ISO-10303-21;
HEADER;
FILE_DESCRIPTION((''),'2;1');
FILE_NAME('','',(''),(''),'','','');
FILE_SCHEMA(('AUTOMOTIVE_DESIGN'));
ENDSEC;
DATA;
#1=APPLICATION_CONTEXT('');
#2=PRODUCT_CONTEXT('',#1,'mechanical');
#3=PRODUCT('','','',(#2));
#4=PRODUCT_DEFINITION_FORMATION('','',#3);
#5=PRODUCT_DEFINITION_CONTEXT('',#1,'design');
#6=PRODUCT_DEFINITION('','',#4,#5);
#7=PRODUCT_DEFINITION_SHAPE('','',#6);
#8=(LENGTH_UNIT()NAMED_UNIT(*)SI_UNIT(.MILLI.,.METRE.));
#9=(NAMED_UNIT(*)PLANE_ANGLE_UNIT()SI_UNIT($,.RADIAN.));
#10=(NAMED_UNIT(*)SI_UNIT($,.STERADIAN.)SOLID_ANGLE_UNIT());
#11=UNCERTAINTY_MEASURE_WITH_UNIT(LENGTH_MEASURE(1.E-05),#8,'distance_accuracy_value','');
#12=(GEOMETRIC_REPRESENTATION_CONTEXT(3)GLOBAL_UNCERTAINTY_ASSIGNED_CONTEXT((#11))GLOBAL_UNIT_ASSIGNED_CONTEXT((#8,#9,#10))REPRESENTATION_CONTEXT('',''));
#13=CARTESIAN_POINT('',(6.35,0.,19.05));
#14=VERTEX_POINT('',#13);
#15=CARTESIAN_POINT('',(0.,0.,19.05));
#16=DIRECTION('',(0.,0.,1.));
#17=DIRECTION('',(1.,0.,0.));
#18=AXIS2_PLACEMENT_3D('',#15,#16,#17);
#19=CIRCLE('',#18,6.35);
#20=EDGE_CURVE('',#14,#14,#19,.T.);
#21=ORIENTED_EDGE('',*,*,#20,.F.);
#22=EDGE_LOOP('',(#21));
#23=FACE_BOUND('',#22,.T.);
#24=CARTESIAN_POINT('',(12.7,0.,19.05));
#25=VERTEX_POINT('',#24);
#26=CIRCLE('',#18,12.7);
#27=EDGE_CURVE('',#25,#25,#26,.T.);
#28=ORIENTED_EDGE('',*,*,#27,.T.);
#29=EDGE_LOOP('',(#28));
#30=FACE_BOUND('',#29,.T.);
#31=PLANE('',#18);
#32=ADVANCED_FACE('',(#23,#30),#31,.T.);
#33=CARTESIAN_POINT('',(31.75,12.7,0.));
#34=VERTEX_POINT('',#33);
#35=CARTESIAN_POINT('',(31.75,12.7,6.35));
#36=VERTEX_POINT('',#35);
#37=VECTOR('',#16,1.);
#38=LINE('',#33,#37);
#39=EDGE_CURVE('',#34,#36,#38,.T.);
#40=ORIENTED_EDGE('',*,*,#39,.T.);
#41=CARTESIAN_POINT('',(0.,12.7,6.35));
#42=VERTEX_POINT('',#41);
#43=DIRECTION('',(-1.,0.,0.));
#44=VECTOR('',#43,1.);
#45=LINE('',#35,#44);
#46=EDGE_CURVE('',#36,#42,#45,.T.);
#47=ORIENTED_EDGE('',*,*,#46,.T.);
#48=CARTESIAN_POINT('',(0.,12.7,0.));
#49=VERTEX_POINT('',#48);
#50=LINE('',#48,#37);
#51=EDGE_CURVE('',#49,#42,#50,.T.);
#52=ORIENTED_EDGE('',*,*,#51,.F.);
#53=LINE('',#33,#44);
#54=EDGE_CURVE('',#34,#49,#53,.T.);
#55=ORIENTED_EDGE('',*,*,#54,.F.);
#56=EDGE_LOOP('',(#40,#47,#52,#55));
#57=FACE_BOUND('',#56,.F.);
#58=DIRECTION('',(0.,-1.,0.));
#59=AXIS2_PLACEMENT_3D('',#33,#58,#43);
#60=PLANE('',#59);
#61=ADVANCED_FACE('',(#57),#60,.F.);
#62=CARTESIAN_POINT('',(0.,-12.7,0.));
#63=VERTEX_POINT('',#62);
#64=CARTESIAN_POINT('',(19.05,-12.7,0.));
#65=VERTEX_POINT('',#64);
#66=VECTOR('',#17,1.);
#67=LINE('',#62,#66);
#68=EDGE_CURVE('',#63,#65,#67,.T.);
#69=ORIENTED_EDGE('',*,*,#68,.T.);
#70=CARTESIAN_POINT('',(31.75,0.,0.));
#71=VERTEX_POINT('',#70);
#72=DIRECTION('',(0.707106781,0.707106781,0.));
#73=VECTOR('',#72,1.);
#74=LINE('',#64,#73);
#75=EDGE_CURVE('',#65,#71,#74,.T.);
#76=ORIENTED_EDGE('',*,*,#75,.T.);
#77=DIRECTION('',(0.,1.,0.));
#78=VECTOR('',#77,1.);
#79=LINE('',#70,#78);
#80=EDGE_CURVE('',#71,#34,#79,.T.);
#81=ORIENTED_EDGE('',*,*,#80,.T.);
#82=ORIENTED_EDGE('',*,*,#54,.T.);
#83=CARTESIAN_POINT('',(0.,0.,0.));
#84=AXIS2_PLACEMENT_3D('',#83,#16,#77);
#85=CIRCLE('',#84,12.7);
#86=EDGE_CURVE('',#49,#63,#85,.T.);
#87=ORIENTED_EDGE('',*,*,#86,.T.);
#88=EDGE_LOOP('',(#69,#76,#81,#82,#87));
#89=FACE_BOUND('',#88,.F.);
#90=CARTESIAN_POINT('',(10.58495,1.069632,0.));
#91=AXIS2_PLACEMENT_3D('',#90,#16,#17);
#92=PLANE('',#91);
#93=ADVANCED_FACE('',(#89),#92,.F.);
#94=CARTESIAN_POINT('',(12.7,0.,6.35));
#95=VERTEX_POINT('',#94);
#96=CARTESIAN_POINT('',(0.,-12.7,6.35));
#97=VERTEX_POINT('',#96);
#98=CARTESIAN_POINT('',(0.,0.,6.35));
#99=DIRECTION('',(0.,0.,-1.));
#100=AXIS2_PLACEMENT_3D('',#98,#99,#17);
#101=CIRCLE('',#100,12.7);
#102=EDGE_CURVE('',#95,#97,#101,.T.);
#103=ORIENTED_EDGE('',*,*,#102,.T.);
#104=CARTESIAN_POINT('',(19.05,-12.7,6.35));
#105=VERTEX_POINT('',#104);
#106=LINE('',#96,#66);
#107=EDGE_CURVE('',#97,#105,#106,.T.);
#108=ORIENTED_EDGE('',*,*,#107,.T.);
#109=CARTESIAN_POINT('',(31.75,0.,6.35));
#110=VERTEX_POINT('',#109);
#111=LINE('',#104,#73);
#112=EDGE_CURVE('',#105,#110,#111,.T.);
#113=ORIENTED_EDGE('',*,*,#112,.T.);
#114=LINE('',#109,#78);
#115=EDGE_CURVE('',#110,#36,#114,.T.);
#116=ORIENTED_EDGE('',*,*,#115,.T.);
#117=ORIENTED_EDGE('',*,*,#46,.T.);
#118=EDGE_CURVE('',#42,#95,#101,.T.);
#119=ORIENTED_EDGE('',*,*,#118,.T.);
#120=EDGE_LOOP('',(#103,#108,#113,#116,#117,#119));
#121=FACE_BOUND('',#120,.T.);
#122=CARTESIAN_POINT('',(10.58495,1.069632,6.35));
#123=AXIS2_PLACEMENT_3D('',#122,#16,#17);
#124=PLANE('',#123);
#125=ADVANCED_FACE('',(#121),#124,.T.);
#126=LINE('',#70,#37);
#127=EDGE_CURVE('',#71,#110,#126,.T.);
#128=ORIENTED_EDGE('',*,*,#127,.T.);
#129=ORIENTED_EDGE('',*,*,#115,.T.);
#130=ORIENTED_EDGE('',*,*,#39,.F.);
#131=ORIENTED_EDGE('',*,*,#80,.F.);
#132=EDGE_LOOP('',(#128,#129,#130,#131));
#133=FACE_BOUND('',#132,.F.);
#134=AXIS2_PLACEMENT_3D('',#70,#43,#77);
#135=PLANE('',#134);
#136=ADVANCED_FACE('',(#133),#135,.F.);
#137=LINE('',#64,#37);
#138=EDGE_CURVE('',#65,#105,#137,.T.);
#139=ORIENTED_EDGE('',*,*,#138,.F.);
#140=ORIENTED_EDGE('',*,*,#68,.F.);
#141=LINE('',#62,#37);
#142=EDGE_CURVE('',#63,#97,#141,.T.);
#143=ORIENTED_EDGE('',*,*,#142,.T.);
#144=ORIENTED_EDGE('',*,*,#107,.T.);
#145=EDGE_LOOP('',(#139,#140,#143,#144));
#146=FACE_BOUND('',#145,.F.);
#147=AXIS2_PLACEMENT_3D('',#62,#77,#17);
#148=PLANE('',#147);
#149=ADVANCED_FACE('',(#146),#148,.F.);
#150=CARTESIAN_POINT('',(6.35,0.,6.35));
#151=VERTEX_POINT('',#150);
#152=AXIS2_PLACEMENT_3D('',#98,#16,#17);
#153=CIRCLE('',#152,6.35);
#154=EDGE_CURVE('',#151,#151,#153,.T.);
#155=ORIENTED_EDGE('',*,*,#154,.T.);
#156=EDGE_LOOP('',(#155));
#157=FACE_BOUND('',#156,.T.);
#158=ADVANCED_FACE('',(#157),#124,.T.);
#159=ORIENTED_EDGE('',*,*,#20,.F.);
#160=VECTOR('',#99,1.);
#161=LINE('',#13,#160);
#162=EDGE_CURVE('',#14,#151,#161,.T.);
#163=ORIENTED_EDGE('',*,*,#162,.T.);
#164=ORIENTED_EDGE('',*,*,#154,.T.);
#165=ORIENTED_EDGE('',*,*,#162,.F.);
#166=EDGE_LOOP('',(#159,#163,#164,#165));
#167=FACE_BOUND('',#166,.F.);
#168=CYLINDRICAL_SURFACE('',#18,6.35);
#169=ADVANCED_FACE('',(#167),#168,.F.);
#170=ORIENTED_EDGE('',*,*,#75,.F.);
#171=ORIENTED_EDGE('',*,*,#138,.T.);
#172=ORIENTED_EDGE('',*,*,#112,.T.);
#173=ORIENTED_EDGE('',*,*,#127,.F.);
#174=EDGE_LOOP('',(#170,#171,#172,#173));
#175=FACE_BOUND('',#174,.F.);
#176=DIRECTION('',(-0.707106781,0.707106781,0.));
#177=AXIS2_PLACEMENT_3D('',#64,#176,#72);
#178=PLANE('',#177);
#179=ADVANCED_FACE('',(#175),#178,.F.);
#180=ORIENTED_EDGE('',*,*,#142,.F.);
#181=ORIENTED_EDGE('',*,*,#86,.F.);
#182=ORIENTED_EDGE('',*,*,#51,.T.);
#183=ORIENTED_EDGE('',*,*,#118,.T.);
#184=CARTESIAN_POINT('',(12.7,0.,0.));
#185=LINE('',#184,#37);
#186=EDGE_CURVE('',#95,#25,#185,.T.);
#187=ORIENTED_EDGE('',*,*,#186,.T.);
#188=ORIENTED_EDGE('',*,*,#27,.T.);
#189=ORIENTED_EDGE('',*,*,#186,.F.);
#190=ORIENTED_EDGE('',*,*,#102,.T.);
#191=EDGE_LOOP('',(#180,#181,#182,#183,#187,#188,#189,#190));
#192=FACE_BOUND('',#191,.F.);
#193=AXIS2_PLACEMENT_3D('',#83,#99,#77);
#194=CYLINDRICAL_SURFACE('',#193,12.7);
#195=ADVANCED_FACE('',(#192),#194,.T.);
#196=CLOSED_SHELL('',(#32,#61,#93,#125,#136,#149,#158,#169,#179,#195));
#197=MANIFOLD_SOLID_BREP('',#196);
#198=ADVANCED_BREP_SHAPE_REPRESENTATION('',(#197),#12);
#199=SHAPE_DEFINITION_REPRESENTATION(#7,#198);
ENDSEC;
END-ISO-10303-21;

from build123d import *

# Parameters (mm, degrees)
F0_R     = 12.7
F1_DEPTH = 19.05
F2_R     = 6.35
F3_DEPTH = 19.05
F5_DEPTH = 6.35


with BuildPart() as f1:
    # F0 (on Top) → F1 (new body)
    with BuildSketch(Plane.XY):
        Circle(F0_R)
    extrude(amount=F1_DEPTH)

    # F2 (on face) → F3 (cut)
    with BuildSketch(Plane.XY.offset(19.05)):
        Circle(F2_R)
    extrude(amount=-F3_DEPTH, mode=Mode.SUBTRACT)

    # F4 (on Top) → F5 (join)
    with BuildSketch(Plane.XY):
        with BuildLine():
            Line((31.75, 12.7), (0, 12.7))
            ThreePointArc((0, 12.7), (-12.7, 0), (0, -12.7))
            Line((0, -12.7), (19.05, -12.7))
            Line((19.05, -12.7), (31.75, 0))
            Line((31.75, 0), (31.75, 12.7))
        make_face()
    extrude(amount=F5_DEPTH)


solid = f1.part
